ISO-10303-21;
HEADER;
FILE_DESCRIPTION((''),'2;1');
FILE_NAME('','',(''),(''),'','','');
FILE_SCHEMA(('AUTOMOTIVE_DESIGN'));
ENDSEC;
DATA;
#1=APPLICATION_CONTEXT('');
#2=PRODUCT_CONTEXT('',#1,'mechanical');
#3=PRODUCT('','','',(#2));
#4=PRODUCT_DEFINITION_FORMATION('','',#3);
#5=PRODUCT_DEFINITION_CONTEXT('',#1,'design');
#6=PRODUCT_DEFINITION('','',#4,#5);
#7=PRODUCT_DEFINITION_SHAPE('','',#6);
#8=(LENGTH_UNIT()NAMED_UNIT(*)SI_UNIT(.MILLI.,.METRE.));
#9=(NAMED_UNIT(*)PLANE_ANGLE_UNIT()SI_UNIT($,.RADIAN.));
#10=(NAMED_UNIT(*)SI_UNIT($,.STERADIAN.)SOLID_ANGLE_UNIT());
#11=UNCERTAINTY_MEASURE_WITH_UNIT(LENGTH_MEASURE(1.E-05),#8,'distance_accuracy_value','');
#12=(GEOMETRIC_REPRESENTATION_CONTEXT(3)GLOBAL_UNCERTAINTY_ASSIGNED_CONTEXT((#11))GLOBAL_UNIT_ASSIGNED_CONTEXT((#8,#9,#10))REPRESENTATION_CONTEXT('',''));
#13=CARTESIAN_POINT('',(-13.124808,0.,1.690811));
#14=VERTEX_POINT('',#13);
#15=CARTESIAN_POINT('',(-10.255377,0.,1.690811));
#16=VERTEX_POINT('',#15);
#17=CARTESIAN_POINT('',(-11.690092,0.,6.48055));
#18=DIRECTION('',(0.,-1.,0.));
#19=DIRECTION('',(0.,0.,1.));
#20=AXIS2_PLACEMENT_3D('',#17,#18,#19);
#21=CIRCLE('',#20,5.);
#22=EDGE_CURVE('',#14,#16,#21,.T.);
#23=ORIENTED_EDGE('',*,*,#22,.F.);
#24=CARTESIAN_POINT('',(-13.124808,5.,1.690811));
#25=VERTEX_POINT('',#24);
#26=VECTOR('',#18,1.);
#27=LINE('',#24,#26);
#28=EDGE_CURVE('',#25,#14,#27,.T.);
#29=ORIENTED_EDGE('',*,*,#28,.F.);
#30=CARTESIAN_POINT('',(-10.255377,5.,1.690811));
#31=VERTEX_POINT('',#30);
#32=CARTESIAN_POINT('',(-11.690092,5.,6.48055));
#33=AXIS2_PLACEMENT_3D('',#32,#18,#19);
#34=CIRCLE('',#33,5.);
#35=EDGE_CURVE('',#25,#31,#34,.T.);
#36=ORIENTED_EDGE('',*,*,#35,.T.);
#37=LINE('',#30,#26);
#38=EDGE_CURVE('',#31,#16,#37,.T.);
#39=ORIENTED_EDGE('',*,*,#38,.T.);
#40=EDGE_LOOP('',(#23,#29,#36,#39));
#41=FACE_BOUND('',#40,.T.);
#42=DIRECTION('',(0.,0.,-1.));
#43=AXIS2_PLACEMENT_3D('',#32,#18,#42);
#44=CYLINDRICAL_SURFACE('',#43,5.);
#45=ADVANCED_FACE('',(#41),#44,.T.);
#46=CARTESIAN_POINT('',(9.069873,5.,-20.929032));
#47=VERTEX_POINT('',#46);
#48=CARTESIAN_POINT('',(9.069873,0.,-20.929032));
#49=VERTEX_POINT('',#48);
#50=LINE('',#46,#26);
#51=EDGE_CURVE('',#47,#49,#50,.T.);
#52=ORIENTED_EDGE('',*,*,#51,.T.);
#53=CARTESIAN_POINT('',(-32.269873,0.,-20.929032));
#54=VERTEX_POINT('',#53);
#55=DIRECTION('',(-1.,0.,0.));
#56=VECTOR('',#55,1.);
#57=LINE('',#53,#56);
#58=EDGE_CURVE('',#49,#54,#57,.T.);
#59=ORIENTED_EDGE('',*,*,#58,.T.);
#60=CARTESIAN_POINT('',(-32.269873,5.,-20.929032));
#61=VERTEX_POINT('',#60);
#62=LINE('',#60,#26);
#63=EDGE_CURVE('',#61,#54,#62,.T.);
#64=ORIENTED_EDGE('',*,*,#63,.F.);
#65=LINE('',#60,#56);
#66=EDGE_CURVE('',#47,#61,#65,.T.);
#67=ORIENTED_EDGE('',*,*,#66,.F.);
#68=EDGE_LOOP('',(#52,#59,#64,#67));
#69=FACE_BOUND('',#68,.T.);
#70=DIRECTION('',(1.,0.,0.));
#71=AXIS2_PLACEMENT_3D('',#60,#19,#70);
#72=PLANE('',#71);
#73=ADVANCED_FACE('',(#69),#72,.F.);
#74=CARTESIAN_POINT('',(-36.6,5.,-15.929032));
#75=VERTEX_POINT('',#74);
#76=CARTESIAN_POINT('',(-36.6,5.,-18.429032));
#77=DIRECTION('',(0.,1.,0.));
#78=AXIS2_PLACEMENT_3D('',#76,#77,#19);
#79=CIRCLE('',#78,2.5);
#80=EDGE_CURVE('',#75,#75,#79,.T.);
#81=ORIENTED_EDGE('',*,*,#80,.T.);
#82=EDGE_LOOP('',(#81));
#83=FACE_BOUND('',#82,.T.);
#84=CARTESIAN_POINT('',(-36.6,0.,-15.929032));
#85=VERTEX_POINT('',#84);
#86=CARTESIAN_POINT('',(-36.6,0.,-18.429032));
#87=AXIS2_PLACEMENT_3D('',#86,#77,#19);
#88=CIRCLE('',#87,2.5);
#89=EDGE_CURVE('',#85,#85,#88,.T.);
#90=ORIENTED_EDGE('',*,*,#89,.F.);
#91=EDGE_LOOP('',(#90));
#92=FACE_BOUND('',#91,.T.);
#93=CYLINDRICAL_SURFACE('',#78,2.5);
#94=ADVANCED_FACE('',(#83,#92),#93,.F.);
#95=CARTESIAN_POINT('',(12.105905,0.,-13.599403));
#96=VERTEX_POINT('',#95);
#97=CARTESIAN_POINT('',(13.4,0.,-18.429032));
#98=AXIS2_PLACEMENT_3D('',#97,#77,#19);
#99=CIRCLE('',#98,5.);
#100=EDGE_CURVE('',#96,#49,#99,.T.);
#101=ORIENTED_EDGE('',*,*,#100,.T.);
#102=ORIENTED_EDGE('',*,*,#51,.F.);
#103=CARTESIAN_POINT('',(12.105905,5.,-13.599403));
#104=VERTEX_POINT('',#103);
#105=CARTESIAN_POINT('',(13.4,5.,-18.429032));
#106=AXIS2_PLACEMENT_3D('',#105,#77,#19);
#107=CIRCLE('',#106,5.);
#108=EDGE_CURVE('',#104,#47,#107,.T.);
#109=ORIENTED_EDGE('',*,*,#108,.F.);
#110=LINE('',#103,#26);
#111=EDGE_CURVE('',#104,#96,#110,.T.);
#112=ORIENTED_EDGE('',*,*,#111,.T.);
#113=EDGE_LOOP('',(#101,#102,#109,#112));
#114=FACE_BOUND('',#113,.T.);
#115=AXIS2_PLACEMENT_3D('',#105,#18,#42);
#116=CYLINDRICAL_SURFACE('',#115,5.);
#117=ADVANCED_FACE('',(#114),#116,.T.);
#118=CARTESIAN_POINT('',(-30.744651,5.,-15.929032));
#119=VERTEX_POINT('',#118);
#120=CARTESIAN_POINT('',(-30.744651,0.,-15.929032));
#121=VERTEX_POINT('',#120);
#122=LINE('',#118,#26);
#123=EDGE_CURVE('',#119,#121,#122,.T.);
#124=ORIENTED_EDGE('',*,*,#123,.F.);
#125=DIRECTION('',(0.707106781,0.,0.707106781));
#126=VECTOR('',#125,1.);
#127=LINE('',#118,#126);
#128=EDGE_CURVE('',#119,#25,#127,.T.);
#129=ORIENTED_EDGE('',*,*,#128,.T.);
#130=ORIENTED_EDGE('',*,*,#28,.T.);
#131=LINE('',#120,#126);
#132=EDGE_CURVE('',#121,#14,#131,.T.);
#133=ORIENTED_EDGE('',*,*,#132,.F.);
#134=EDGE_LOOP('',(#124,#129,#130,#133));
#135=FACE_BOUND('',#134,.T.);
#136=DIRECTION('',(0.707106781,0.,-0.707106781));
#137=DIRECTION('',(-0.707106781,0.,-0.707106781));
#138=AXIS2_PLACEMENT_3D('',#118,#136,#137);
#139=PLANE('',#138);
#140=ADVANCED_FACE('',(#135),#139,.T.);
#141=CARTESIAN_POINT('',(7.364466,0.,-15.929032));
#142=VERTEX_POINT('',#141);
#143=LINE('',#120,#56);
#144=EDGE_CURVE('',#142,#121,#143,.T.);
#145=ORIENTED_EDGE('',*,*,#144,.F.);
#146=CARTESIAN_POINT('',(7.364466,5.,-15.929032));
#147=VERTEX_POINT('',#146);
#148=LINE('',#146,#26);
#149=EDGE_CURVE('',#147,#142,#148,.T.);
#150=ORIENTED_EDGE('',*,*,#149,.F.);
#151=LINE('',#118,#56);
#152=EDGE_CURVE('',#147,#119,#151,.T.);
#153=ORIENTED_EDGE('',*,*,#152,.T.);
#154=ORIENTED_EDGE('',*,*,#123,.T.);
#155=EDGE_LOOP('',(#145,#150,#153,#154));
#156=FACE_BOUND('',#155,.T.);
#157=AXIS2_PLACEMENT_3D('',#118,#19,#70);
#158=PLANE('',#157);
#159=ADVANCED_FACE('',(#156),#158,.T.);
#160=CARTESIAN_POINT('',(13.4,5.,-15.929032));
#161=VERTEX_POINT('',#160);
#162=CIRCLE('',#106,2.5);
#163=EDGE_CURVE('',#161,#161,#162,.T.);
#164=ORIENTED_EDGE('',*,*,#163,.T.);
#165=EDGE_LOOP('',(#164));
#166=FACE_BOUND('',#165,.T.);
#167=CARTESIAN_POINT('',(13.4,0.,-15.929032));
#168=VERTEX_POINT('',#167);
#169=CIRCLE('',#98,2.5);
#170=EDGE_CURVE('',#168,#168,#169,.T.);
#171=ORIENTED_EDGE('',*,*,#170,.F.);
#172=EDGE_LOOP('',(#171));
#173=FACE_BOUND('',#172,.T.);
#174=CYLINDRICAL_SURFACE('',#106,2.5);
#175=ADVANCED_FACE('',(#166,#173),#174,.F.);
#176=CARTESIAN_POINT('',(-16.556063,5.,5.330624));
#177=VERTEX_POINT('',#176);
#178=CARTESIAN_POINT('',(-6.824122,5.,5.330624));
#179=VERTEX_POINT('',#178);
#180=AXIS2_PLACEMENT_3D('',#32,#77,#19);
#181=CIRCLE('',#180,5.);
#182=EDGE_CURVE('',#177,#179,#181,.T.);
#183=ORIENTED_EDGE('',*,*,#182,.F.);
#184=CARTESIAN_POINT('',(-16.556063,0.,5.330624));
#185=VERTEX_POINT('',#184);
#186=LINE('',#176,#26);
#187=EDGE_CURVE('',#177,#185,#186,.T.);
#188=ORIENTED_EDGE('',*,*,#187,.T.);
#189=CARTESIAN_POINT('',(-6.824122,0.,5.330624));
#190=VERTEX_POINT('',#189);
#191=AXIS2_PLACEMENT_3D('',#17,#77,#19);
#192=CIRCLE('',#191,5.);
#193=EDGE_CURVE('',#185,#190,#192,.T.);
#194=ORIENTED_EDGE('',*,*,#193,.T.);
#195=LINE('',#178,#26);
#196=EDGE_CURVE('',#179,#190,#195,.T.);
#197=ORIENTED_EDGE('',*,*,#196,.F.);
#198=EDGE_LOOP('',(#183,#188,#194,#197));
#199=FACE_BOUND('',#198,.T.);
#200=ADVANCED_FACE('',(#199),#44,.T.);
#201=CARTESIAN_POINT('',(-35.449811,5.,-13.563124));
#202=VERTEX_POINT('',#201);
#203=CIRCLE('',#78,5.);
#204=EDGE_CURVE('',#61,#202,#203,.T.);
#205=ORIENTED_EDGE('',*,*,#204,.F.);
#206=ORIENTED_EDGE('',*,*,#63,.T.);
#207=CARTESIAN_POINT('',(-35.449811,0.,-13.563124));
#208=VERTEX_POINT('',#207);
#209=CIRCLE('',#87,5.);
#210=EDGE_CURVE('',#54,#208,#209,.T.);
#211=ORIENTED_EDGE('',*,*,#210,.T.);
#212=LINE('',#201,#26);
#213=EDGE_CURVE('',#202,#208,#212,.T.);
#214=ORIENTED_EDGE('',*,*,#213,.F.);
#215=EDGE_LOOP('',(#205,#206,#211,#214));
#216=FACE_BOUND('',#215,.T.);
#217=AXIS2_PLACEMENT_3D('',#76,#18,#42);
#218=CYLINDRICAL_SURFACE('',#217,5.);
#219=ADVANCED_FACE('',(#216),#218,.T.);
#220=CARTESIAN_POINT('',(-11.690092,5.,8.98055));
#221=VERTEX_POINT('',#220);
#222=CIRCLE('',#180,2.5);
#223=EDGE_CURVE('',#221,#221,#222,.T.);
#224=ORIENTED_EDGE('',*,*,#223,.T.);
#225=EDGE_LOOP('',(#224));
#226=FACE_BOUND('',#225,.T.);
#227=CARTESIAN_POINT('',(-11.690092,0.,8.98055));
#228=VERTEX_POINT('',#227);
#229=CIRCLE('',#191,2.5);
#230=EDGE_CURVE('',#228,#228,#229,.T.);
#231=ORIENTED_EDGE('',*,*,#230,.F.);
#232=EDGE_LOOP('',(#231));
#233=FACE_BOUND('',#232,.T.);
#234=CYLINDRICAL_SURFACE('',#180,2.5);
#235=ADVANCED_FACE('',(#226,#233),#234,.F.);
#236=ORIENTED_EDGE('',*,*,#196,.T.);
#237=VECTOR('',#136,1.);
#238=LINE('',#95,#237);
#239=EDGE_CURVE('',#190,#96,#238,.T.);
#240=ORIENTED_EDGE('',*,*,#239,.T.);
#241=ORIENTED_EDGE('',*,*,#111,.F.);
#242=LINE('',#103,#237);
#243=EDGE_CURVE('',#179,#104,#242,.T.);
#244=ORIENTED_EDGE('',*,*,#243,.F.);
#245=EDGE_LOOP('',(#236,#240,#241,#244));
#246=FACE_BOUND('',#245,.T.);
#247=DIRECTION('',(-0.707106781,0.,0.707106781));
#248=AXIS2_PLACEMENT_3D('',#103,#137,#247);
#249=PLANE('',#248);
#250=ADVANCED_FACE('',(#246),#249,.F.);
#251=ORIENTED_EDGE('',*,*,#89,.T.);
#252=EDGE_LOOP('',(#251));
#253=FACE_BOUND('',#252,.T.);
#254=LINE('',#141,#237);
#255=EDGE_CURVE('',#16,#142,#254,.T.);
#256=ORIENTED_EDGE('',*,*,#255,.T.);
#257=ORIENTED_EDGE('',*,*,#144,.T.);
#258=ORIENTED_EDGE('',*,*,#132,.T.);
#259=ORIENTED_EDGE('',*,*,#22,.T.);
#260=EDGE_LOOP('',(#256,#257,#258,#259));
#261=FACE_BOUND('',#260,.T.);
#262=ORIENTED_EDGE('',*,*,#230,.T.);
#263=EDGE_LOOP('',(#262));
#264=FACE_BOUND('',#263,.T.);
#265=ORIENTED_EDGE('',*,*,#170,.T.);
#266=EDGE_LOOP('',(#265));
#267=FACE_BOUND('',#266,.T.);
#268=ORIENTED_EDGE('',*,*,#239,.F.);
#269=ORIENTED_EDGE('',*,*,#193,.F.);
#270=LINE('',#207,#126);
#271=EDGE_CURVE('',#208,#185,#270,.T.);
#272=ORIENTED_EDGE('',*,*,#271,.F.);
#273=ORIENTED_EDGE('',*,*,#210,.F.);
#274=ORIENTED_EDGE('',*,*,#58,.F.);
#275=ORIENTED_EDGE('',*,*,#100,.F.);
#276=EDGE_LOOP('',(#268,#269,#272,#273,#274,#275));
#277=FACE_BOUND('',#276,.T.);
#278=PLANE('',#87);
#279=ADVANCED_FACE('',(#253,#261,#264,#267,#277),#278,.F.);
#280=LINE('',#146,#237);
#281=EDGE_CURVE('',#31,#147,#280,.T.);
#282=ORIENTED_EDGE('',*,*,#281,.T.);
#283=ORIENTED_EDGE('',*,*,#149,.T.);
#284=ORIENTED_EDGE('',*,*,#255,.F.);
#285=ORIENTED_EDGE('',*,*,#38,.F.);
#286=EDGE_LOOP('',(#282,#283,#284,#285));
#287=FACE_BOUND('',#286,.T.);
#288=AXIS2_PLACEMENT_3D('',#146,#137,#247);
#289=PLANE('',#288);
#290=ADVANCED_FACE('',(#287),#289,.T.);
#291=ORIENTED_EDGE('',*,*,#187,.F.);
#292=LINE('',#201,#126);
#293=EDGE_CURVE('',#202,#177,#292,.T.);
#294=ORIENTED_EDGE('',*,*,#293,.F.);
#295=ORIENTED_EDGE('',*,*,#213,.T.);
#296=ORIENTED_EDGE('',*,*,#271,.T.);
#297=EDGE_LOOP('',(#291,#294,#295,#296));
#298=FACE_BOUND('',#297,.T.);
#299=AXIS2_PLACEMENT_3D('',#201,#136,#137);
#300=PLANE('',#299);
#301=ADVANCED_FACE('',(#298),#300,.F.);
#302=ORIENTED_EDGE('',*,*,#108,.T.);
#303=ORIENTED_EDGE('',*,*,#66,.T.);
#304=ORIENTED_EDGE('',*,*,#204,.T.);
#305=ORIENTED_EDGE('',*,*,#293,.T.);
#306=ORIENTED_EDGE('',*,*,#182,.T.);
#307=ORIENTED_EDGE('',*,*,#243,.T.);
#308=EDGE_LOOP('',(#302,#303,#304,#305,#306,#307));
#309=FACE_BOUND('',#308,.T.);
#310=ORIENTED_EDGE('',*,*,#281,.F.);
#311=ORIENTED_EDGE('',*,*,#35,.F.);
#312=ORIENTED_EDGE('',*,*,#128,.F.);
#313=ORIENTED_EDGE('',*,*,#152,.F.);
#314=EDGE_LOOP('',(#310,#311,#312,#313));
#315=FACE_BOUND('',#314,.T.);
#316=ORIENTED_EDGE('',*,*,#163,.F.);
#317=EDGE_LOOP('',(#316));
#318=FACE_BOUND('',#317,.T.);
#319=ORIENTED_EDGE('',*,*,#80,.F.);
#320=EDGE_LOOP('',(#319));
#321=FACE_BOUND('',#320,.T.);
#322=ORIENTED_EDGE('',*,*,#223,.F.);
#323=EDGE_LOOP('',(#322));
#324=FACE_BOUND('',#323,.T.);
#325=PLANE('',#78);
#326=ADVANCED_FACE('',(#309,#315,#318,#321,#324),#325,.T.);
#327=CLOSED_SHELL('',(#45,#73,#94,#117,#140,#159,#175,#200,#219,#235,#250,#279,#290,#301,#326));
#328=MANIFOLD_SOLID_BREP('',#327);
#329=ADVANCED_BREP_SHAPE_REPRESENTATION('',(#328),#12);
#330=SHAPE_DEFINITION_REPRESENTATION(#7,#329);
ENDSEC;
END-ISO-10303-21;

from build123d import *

# Parameters (mm, degrees)
BOSS_EXTRUDE1_DEPTH   = 5
F_5_0MM_DOWEL_HOLE1_D = 5


with BuildPart() as part:
    # Sketch2 → Boss-Extrude1 (new body)
    with BuildSketch(Plane(origin=(0, 0, 0), x_dir=(1, 0, 0), z_dir=(0, 1, 0))):
        with BuildLine():
            Line((-32.269872981, 20.929032067), (9.069872981, 20.929032067))
            ThreePointArc((9.069872981, 20.929032067), (18.019397663, 20.342449229), (12.105904774, 13.599402936))
            Line((12.105904774, 13.599402936), (-6.82412184, -5.330623679))
            ThreePointArc((-6.82412184, -5.330623679), (-11.690092491, -11.4805496), (-16.556063141, -5.330623679))
            Line((-16.556063141, -5.330623679), (-35.449810526, 13.563123706))
            ThreePointArc((-35.449810526, 13.563123706), (-41.190492208, 20.410794235), (-32.269872981, 20.929032067))
        make_face()
        with BuildLine():
            Line((-30.744651075, 15.929032067), (7.364466094, 15.929032067))
            Line((7.364466094, 15.929032067), (-10.255377332, -1.690811359))
            ThreePointArc((-10.255377332, -1.690811359), (-11.690092491, -1.4805496), (-13.124807649, -1.690811359))
            Line((-13.124807649, -1.690811359), (-30.744651075, 15.929032067))
        make_face(mode=Mode.SUBTRACT)
    extrude(amount=BOSS_EXTRUDE1_DEPTH)

    # Ø5.0mm Dowel Hole1 (through all)
    with Locations(Plane(origin=(0, 5, 0), x_dir=(1, 0, 0), z_dir=(0, 1, 0))):
        with Locations((13.4, 18.429032067), (-36.6, 18.429032067), (-11.690092491, -6.4805496)):
            Hole(F_5_0MM_DOWEL_HOLE1_D / 2)


solid = part.part
